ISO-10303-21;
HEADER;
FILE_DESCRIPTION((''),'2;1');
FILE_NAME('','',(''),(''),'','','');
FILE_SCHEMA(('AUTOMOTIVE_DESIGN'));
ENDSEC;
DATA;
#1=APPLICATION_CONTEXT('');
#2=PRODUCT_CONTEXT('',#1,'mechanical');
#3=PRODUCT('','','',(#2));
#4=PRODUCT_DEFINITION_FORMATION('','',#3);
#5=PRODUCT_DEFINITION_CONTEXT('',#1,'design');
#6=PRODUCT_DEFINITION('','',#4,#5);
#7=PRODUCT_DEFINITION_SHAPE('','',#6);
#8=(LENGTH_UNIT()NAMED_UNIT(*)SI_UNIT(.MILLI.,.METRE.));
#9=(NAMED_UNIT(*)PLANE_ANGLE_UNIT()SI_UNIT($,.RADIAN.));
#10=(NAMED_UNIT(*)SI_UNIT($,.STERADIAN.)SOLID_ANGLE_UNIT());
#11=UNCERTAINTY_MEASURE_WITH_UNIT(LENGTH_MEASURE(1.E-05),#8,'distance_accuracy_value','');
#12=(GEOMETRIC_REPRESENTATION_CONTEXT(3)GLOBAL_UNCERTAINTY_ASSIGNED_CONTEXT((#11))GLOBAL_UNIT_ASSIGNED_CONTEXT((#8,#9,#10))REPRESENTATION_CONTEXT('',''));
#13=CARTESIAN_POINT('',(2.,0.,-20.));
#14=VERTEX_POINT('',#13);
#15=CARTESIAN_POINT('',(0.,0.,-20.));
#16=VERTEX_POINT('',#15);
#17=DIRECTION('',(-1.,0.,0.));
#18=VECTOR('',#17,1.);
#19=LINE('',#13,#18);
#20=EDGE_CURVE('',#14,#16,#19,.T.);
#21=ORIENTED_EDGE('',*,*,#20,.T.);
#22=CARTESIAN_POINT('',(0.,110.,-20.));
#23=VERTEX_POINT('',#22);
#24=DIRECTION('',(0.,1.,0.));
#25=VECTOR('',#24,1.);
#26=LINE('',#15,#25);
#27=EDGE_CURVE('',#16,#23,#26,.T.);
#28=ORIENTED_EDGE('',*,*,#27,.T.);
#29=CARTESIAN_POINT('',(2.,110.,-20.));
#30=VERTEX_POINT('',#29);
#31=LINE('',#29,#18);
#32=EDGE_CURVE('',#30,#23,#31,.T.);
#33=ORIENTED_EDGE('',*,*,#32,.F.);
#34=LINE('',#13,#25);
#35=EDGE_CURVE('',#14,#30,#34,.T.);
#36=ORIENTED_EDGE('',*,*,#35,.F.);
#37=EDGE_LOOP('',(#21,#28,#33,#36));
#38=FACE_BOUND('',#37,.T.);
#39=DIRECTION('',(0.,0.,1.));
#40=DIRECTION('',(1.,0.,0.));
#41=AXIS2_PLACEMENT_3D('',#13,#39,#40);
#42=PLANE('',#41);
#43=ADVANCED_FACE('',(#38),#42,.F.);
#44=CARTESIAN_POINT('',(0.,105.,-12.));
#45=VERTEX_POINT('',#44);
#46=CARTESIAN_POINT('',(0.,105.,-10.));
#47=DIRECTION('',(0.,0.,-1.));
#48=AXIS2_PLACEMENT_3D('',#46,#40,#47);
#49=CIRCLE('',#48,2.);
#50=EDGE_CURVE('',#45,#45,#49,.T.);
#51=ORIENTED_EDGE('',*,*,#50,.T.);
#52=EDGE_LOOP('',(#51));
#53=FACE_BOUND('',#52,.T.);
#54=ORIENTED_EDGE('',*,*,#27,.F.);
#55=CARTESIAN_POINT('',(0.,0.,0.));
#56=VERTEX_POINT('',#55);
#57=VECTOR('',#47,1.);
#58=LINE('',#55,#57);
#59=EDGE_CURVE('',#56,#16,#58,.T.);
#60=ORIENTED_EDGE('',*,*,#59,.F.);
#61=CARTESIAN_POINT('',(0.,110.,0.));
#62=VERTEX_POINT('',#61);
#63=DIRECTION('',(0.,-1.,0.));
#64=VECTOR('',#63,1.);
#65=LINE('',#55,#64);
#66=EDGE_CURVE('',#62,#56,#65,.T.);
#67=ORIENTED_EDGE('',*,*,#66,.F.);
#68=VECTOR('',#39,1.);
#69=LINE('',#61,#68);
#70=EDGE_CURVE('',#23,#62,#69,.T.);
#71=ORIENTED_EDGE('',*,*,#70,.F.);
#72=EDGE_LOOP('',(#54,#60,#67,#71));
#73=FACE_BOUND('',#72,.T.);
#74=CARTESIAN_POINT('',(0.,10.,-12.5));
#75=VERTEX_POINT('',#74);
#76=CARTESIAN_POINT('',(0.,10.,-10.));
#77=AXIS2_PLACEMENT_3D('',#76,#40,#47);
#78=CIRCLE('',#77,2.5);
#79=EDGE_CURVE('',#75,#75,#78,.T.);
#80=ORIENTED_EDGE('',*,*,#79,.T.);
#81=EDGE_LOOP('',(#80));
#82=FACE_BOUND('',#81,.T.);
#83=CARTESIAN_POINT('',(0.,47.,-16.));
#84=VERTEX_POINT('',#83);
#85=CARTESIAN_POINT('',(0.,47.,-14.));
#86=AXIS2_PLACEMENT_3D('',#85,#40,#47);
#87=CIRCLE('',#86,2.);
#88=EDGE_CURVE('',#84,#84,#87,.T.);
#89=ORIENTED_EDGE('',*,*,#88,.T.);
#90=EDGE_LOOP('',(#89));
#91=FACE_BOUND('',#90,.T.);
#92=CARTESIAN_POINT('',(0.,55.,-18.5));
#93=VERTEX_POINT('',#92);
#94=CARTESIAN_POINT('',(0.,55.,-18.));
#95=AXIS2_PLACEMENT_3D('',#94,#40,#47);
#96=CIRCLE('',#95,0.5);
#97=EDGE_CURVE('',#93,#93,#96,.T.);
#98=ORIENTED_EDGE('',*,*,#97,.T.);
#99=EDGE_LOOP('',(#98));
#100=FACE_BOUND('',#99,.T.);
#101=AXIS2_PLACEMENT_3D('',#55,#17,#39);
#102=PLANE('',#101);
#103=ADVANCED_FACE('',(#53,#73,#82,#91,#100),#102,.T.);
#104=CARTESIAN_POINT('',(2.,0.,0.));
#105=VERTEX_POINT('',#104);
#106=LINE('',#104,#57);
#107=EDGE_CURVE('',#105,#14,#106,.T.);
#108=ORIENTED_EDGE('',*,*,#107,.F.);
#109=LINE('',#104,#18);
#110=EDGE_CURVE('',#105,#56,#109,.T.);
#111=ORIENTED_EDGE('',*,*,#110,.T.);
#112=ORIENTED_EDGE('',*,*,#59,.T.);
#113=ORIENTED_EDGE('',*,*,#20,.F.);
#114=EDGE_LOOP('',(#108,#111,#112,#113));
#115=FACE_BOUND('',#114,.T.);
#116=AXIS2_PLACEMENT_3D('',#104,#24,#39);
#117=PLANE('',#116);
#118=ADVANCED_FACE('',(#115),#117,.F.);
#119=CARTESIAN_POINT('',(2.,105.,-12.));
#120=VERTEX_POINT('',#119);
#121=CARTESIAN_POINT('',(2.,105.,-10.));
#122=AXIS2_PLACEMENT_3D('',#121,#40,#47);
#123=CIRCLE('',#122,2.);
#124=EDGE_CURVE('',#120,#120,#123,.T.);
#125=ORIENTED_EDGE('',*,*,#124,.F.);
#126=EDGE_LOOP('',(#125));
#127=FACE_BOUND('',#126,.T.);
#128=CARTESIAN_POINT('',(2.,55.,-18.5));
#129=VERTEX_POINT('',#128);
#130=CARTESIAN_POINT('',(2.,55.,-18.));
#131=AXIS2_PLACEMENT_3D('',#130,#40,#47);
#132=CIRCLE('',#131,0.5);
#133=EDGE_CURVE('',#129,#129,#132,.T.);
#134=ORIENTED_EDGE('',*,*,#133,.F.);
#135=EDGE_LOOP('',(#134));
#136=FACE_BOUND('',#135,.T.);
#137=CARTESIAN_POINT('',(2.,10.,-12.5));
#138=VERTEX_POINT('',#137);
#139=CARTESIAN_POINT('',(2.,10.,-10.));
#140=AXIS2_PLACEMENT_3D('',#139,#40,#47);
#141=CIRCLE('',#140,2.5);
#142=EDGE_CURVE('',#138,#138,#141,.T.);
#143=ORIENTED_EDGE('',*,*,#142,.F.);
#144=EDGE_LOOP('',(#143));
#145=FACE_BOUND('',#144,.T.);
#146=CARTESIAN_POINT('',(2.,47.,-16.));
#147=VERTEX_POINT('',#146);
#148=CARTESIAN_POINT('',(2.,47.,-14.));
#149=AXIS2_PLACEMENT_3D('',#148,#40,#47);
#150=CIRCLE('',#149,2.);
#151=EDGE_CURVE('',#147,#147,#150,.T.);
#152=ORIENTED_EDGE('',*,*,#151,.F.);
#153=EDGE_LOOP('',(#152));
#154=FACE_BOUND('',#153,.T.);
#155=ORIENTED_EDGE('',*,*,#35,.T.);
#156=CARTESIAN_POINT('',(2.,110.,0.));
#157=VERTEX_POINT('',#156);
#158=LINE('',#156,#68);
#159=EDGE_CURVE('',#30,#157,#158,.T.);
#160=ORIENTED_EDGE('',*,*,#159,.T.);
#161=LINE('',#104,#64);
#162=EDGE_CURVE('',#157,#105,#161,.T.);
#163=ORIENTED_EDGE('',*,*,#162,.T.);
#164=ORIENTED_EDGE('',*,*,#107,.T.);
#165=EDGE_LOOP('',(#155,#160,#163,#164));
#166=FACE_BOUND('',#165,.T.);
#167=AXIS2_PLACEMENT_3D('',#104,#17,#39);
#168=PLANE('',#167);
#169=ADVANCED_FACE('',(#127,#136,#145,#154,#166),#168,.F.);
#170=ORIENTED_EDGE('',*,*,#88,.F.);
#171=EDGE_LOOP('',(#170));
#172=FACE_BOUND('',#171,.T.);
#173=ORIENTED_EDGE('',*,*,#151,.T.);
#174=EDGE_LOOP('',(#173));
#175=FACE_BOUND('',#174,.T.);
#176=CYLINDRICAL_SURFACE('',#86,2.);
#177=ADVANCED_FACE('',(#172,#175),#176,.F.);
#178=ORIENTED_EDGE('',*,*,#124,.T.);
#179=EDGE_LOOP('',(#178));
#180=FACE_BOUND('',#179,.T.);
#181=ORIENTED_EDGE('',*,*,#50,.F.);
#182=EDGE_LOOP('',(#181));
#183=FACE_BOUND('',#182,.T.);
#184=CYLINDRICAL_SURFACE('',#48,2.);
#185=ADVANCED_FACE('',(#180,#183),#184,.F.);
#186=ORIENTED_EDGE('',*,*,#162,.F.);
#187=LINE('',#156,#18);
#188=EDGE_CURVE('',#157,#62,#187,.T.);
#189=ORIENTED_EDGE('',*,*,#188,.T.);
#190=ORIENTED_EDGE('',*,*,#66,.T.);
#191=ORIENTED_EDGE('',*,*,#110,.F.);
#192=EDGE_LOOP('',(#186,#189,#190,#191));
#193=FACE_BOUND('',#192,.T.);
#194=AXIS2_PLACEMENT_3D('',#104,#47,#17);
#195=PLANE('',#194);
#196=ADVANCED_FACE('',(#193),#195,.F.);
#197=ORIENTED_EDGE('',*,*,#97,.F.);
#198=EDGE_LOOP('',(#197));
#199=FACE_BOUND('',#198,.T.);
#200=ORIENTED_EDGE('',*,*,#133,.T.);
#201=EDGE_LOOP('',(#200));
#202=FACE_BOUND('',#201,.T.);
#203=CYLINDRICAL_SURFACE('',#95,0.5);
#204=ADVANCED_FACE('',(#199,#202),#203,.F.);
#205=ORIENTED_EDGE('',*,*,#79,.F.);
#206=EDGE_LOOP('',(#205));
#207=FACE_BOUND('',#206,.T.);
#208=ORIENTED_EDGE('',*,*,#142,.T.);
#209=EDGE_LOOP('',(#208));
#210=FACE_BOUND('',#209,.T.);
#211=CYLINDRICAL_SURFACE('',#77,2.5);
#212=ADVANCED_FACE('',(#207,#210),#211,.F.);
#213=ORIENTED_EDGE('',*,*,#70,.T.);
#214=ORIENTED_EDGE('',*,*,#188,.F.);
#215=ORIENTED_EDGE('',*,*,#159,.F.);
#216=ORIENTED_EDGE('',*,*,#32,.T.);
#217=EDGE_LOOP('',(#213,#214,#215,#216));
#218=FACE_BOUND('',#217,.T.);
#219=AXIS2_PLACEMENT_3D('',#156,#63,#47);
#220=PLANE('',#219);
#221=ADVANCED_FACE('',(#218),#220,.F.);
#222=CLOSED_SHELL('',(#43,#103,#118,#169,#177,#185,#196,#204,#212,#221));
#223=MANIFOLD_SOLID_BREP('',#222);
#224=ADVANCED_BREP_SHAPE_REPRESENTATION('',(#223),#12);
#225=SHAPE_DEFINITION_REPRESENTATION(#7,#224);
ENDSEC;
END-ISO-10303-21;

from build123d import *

# Parameters (mm, degrees)
SKETCH1_W           = 20
SKETCH1_H           = 110
BOSS_EXTRUDE1_DEPTH = 2
SKETCH2_R           = 2.5
SKETCH2_R_2         = 2
SKETCH2_R_3         = 0.5
CUT_EXTRUDE1_DEPTH  = 2


with BuildPart() as part:
    # Sketch1 → Boss-Extrude1 (new body)
    with BuildSketch(Plane(origin=(0, 0, 0), x_dir=(0, 0, -1), z_dir=(1, 0, 0))):
        with Locations((10, 55)):
            Rectangle(SKETCH1_W, SKETCH1_H)
    extrude(amount=BOSS_EXTRUDE1_DEPTH)

    # Sketch2 → Cut-Extrude1 (cut)
    with BuildSketch(Plane(origin=(2, 0, 0), x_dir=(0, 0, -1), z_dir=(1, 0, 0))):
        with Locations((10, 10)):
            Circle(SKETCH2_R)
        with Locations((10, 105)):
            Circle(SKETCH2_R_2)
        with Locations((14, 47)):
            Circle(SKETCH2_R_2)
        with Locations((18, 55)):
            Circle(SKETCH2_R_3)
    extrude(amount=-CUT_EXTRUDE1_DEPTH, mode=Mode.SUBTRACT)


solid = part.part
